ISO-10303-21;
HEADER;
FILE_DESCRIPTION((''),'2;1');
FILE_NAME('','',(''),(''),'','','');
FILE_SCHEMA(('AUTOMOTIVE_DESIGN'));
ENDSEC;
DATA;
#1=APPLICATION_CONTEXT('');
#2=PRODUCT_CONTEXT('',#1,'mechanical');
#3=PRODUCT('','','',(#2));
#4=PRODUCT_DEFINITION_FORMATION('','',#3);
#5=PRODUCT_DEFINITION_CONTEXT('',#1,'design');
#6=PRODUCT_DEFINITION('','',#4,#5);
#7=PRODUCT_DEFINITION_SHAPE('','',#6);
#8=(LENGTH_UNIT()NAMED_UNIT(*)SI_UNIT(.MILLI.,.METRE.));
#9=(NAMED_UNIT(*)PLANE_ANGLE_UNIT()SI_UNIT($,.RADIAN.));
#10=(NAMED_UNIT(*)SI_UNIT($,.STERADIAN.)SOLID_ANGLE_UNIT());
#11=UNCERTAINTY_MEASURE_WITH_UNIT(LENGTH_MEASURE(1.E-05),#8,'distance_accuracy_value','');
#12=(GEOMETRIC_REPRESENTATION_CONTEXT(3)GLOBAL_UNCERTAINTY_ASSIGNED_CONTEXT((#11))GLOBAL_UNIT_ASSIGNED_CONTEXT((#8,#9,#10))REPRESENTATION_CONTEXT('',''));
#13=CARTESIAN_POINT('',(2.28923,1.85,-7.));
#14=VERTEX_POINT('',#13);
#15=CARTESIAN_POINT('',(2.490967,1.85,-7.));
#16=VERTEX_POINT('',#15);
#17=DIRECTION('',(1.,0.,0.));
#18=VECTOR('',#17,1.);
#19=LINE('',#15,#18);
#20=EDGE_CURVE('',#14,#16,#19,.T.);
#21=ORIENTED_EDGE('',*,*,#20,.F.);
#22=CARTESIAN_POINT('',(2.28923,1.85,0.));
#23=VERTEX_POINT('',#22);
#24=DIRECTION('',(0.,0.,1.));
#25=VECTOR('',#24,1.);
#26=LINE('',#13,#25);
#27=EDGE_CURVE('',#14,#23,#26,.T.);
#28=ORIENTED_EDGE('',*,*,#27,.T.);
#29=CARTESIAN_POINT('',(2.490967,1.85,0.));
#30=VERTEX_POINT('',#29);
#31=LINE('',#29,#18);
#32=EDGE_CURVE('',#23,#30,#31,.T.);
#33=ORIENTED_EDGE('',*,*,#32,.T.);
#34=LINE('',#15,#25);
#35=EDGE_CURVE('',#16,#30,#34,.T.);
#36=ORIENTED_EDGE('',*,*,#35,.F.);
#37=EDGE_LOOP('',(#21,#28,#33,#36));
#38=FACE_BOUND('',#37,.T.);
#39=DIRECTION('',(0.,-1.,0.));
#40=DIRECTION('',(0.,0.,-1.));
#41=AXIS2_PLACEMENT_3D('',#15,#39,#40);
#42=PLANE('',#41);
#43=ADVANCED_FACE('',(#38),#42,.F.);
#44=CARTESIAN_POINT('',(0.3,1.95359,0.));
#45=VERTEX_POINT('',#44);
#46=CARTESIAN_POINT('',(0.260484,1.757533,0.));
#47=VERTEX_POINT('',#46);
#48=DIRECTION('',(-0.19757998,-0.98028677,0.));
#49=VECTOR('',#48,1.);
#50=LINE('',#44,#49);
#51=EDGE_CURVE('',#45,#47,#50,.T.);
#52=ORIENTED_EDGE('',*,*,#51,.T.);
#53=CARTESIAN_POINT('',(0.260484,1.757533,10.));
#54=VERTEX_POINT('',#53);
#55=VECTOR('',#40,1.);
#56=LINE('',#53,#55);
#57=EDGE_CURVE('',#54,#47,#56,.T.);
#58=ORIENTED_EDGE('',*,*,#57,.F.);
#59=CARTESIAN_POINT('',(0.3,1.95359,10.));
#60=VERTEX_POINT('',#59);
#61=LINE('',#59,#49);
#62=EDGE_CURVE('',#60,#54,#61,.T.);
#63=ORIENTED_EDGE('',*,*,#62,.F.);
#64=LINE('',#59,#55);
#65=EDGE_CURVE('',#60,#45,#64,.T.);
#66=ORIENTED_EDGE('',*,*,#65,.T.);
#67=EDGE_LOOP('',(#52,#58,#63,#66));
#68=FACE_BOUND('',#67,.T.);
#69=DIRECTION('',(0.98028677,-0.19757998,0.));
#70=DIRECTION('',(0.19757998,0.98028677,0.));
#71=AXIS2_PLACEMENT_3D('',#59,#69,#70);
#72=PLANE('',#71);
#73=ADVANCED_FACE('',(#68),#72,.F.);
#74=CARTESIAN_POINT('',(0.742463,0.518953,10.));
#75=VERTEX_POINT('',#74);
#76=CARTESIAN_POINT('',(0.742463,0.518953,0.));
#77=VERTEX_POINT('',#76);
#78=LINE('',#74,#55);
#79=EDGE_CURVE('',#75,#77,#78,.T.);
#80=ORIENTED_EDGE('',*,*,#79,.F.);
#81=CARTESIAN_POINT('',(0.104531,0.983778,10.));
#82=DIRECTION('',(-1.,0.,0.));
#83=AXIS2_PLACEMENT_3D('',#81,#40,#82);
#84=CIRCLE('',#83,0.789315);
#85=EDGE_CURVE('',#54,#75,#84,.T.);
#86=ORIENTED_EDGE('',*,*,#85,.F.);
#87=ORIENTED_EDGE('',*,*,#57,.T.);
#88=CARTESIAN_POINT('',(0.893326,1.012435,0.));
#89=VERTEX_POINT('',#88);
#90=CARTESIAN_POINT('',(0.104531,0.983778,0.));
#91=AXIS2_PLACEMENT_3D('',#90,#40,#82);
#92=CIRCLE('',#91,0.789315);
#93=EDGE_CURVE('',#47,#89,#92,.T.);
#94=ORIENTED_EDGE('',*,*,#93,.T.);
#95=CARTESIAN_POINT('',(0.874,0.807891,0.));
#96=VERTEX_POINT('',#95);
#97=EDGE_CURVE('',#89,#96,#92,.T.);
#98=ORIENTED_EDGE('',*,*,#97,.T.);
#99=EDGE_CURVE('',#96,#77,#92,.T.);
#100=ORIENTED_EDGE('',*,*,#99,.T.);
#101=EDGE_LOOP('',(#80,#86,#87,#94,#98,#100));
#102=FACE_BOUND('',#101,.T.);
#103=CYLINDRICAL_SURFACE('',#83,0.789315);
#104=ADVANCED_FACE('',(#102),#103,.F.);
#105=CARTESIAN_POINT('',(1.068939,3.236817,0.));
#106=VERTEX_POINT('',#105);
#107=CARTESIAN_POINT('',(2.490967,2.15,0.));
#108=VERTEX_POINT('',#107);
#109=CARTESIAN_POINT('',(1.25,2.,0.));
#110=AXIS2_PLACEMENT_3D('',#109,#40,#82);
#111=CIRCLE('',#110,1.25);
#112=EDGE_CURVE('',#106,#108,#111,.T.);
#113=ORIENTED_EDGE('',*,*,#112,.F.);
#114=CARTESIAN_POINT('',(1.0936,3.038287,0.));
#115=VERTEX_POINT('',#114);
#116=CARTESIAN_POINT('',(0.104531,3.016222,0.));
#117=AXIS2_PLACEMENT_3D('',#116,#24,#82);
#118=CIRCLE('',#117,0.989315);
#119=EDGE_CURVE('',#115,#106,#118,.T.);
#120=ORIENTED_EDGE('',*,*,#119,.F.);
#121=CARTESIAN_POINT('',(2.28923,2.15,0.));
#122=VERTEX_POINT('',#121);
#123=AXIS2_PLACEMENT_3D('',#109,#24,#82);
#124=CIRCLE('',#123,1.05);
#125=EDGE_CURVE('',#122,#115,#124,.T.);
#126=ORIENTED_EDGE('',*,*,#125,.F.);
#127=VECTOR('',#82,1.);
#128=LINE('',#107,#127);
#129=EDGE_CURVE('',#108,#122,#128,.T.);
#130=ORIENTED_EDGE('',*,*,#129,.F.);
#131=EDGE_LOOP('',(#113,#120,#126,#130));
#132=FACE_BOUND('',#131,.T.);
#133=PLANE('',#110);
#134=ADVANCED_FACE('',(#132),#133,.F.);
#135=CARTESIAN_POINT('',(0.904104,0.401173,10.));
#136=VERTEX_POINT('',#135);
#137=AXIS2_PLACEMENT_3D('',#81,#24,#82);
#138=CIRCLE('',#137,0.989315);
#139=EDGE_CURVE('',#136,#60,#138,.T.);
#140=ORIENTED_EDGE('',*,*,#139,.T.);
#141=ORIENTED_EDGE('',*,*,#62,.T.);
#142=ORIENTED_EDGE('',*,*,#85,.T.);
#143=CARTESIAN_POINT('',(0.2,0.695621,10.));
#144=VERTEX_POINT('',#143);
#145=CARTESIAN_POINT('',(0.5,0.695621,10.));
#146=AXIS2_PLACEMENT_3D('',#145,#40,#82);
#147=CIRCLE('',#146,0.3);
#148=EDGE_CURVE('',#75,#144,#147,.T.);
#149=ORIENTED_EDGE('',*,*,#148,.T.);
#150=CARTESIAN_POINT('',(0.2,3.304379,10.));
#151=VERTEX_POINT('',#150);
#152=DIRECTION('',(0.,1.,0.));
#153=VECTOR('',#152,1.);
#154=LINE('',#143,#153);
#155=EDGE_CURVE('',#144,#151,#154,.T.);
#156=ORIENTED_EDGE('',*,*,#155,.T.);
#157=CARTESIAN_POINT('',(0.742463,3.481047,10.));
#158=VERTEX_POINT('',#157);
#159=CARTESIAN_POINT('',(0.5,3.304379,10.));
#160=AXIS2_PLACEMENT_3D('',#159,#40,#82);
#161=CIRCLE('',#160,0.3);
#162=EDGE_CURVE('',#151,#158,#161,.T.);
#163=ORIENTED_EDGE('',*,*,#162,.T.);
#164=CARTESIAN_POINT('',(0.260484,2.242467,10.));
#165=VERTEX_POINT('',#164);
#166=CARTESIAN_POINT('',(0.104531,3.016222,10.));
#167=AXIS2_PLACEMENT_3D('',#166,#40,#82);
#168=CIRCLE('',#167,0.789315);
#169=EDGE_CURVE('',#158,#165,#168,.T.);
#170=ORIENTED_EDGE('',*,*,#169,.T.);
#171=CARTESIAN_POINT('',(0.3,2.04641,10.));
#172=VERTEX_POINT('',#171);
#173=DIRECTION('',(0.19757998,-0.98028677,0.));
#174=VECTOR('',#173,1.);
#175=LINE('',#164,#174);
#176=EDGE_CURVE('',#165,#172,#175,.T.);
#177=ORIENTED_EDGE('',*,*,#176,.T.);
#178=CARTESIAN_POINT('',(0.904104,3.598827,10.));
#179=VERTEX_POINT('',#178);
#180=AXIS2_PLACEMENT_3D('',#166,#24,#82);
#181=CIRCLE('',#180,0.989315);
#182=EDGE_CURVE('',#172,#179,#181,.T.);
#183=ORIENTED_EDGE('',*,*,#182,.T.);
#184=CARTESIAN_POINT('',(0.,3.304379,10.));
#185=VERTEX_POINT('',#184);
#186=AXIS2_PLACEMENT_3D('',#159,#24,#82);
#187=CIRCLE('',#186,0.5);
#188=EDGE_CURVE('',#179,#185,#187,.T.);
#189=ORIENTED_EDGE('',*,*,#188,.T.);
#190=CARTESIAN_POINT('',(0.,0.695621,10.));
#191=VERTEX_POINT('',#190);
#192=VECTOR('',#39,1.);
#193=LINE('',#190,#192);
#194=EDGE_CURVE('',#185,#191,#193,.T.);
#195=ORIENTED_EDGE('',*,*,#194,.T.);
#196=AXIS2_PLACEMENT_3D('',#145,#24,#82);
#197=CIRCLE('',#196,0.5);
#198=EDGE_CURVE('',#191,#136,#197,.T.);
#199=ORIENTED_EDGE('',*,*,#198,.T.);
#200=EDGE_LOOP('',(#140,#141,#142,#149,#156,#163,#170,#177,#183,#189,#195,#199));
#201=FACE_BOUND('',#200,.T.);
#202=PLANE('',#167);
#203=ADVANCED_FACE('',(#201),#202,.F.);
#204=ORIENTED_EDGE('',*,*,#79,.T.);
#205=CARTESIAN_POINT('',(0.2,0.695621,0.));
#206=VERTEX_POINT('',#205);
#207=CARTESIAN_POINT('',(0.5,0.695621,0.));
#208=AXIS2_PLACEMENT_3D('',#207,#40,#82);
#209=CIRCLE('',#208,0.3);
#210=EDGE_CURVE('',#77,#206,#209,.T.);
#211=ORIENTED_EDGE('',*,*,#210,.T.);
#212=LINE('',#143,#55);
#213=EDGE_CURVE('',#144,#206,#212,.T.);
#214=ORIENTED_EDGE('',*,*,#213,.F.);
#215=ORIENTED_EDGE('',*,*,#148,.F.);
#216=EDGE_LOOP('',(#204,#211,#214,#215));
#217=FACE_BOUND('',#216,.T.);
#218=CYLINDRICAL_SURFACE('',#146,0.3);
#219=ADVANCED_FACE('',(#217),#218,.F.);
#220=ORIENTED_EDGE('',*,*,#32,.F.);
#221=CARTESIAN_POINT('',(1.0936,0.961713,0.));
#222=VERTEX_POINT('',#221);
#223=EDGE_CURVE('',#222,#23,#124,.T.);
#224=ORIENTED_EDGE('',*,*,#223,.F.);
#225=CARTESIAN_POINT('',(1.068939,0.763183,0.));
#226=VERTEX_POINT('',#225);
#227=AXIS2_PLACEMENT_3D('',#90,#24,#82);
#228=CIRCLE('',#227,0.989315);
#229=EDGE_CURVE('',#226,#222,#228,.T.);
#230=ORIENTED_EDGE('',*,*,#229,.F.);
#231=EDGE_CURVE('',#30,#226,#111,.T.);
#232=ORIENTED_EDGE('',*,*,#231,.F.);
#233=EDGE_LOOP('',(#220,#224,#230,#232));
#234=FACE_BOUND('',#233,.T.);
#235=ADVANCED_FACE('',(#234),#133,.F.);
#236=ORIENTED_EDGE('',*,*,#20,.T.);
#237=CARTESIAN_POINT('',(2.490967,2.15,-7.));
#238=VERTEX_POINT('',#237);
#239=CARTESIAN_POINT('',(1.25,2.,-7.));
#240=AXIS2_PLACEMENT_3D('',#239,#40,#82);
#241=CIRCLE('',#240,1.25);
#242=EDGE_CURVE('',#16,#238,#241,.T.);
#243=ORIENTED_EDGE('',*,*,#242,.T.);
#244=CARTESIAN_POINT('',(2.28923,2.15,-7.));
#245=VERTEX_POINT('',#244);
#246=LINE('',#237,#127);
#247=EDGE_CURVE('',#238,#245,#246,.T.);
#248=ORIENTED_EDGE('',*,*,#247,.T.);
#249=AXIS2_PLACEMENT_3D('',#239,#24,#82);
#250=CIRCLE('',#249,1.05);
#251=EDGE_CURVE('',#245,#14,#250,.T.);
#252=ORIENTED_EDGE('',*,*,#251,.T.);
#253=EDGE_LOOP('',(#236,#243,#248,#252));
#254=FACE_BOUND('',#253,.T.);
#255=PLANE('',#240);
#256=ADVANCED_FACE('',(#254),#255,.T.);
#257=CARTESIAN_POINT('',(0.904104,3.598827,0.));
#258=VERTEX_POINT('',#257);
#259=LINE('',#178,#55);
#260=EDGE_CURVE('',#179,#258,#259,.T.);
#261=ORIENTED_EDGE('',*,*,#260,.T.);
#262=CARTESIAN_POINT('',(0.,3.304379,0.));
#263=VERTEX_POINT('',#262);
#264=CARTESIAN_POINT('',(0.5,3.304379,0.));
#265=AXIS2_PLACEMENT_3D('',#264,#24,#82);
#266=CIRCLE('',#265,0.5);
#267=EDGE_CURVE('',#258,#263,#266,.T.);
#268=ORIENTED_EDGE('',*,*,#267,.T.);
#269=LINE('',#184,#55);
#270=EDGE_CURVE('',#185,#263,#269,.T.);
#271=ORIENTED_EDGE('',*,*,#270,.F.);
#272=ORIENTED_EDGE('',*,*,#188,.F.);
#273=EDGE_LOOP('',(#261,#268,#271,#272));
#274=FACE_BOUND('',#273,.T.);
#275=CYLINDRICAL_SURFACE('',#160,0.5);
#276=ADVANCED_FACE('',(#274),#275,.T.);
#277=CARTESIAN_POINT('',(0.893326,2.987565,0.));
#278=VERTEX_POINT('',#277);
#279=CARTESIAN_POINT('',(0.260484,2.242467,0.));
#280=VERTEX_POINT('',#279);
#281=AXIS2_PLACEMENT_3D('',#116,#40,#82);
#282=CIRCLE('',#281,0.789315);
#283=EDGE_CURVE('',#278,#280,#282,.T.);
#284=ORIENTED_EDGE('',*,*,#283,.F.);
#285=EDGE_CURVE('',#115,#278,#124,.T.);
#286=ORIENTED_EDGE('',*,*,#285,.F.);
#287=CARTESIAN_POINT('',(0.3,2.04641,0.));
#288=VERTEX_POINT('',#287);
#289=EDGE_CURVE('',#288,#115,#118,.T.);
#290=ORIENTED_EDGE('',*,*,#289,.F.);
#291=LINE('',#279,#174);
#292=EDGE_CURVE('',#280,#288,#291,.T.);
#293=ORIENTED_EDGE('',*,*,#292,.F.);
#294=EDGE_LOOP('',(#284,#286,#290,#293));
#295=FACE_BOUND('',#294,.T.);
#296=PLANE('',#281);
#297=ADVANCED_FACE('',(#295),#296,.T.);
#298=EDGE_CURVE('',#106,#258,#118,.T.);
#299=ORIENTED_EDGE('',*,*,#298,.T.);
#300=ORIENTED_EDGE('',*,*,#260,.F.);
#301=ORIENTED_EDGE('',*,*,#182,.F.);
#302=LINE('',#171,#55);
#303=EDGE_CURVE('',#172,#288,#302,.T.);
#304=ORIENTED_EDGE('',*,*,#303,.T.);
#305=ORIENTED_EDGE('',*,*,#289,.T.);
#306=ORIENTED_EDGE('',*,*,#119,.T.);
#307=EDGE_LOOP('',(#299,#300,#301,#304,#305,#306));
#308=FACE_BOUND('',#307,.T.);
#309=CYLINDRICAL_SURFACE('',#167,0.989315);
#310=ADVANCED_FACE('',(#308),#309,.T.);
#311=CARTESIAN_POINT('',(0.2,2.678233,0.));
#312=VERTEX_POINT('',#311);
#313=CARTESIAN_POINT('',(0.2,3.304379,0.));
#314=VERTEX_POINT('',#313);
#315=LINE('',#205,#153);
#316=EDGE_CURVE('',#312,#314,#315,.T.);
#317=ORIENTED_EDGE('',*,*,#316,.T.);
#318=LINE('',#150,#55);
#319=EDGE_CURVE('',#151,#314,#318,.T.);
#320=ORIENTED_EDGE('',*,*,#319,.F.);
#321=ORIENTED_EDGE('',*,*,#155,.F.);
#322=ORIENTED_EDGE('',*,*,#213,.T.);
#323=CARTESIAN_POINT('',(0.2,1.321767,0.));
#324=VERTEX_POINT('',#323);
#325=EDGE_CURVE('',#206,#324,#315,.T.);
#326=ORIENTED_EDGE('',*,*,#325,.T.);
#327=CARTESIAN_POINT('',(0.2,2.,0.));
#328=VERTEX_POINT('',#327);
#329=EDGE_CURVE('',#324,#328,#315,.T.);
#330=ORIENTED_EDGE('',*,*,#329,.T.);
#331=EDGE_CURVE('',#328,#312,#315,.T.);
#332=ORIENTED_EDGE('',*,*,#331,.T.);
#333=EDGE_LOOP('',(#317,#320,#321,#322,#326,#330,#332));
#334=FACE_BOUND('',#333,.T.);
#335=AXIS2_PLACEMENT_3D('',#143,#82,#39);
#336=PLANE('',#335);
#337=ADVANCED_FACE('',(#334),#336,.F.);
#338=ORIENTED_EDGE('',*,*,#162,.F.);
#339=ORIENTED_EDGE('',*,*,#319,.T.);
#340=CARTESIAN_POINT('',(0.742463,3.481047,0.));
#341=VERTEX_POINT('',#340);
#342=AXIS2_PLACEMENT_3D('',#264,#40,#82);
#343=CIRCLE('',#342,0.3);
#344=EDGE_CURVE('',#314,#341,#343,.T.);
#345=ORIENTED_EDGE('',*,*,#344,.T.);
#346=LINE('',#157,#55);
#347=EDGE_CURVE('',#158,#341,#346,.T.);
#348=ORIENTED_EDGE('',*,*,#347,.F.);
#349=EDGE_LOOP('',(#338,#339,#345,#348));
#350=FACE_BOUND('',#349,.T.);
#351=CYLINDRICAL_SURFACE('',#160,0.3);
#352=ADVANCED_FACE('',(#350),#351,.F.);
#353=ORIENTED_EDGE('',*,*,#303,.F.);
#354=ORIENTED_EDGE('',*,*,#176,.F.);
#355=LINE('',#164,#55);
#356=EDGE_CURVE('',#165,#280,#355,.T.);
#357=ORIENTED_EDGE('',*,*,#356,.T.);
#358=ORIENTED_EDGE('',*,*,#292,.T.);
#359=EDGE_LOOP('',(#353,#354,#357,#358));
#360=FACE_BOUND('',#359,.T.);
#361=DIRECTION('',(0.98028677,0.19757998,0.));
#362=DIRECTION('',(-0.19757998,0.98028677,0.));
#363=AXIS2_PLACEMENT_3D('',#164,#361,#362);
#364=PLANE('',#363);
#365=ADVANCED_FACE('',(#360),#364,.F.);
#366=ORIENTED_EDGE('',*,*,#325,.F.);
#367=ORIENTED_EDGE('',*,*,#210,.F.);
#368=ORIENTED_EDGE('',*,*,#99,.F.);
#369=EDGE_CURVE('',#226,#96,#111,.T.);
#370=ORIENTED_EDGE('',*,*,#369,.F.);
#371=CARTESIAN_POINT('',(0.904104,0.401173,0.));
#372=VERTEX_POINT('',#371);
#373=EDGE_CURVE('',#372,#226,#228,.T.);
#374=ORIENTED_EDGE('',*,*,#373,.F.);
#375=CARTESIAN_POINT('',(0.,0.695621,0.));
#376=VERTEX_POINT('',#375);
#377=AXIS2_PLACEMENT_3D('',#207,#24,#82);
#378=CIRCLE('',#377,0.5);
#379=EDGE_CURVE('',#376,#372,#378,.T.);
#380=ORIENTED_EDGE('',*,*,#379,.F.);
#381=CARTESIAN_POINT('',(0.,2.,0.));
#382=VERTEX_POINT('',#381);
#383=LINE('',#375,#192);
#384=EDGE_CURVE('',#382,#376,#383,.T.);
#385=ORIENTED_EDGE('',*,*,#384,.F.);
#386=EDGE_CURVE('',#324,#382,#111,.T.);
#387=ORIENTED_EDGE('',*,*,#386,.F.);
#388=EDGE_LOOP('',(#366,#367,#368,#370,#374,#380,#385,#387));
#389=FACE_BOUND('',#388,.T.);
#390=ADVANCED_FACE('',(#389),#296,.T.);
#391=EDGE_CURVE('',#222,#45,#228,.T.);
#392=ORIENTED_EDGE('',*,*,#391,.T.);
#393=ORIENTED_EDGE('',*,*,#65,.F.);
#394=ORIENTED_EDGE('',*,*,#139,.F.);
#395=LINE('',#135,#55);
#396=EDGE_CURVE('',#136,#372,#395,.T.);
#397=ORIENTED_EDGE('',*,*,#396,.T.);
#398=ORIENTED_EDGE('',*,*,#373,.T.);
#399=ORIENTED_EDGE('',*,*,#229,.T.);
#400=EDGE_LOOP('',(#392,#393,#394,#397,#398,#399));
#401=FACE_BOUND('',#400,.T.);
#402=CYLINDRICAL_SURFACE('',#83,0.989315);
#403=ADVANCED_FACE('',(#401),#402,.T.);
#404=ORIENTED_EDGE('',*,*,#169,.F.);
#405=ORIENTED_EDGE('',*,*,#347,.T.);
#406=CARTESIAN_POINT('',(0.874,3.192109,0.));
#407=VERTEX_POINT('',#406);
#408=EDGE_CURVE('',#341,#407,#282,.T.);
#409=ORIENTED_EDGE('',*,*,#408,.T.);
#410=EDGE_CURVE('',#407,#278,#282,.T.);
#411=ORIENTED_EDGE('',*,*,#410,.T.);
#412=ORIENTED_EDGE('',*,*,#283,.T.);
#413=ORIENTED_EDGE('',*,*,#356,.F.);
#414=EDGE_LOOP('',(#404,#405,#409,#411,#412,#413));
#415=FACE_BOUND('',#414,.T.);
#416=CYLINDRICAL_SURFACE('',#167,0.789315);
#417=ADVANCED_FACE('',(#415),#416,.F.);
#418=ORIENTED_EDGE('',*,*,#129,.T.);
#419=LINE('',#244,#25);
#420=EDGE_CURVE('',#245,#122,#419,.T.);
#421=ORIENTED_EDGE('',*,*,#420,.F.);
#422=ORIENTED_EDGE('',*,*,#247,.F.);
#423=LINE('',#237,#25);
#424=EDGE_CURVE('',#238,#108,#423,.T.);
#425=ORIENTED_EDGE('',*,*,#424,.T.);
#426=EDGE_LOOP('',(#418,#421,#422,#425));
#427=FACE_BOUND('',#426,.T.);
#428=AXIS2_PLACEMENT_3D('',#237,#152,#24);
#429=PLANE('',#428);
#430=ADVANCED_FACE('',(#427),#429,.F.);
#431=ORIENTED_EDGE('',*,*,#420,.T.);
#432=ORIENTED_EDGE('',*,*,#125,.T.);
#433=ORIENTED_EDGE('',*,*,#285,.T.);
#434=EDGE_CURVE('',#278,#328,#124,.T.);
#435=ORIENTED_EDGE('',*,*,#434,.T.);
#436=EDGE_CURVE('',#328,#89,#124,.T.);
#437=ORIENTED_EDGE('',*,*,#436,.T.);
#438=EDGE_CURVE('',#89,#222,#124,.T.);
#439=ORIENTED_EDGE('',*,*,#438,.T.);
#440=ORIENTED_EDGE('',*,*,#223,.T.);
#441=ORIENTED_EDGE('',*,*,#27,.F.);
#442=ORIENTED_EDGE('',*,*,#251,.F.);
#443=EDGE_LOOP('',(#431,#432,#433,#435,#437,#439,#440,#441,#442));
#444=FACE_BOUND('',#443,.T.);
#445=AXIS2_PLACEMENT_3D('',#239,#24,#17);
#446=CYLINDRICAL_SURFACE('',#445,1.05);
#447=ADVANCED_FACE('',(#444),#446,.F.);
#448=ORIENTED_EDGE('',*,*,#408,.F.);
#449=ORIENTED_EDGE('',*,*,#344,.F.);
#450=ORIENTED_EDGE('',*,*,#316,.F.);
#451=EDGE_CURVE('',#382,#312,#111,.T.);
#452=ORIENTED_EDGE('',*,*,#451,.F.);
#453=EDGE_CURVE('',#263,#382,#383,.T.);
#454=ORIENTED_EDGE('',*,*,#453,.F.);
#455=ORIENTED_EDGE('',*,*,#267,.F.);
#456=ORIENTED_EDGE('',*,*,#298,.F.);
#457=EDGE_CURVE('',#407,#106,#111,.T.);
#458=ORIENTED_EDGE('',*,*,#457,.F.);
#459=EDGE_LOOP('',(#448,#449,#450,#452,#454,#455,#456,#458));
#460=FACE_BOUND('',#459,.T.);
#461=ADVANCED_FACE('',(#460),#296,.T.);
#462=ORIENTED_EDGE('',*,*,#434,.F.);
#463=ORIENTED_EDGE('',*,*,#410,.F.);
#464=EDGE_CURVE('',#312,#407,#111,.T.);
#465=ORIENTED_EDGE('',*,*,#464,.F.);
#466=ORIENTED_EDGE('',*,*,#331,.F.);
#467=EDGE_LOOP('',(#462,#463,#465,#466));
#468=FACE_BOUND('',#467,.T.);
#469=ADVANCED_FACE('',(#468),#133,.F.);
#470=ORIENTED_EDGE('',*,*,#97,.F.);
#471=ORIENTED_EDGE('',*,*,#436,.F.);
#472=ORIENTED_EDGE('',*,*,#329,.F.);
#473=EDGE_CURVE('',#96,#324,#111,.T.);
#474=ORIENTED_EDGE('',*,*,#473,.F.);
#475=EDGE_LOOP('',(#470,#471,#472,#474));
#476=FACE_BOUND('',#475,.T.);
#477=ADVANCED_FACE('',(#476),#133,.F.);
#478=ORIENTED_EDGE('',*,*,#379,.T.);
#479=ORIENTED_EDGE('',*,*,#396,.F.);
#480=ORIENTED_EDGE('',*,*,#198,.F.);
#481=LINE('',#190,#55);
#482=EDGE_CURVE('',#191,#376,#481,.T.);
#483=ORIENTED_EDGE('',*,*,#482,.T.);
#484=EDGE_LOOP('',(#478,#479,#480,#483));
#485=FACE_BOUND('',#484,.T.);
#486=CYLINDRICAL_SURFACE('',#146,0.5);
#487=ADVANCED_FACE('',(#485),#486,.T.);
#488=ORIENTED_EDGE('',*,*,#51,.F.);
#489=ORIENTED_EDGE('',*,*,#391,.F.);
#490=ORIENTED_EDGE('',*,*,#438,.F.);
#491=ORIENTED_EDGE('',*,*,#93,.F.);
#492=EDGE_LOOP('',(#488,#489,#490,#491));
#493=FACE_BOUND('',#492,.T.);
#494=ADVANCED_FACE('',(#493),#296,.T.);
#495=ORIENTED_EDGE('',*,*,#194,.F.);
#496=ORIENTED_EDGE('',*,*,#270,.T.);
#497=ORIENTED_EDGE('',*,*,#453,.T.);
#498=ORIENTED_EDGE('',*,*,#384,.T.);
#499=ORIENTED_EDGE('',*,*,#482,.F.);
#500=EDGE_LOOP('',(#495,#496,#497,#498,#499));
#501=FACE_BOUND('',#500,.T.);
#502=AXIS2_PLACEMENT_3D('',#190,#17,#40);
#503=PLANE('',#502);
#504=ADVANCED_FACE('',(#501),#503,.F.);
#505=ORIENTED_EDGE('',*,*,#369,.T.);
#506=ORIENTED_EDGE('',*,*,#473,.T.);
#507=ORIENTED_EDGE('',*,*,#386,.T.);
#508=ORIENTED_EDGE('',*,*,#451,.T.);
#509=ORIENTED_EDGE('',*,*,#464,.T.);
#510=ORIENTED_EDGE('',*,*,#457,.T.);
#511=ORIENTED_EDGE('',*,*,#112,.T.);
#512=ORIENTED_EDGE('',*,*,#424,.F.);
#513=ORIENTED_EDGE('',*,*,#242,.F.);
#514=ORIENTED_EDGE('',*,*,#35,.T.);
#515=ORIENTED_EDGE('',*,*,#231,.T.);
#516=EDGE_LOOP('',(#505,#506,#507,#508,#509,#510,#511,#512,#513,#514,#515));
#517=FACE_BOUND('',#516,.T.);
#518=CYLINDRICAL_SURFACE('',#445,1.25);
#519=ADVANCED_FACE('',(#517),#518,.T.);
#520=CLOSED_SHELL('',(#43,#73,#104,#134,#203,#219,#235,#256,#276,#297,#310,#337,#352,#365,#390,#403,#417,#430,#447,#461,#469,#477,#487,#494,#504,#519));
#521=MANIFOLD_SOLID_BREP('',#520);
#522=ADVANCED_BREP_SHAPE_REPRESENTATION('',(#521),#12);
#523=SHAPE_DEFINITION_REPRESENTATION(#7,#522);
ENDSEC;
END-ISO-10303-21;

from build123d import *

# Parameters (mm, degrees)
EXTRUDE_1_DEPTH = 10
EXTRUDE_2_DEPTH = 7


with BuildPart() as part:
    # Эскиз1 → Вытянуть1 (new body)
    with BuildSketch(Plane.XY):
        with BuildLine():
            Line((0.2, 0.695621493), (0.2, 3.304378507))
            ThreePointArc((0.2, 3.304378507), (0.407098908, 3.589631705), (0.74246258, 3.481047398))
            ThreePointArc((0.74246258, 3.481047398), (0.840114832, 2.729978951), (0.260484004, 2.242467025))
            Line((0.260484004, 2.242467025), (0.3, 2.046409671))
            ThreePointArc((0.3, 2.046409671), (1.026500083, 2.657449384), (0.9041043, 3.598826659))
            ThreePointArc((0.9041043, 3.598826659), (0.345164846, 3.779800504), (0, 3.304378507))
            Line((0, 3.304378507), (0, 0.695621493))
            ThreePointArc((0, 0.695621493), (0.345164846, 0.220199496), (0.9041043, 0.401173341))
            ThreePointArc((0.9041043, 0.401173341), (1.026500083, 1.342550616), (0.3, 1.953590329))
            Line((0.3, 1.953590329), (0.260484004, 1.757532975))
            ThreePointArc((0.260484004, 1.757532975), (0.840114832, 1.270021049), (0.74246258, 0.518952602))
            ThreePointArc((0.74246258, 0.518952602), (0.407098908, 0.410368295), (0.2, 0.695621493))
        make_face()
    extrude(amount=EXTRUDE_1_DEPTH)

    # Эскиз2 → Вытянуть2 (add)
    with BuildSketch(Plane(origin=(0, 0, 0), x_dir=(-1, 0, 0), z_dir=(0, 0, -1))):
        with BuildLine():
            Line((-2.490967365, 1.85), (-2.289230485, 1.85))
            ThreePointArc((-2.289230485, 1.85), (-0.2, 2), (-2.289230485, 2.15))
            Line((-2.289230485, 2.15), (-2.490967365, 2.15))
            ThreePointArc((-2.490967365, 2.15), (0, 2), (-2.490967365, 1.85))
        make_face()
    extrude(amount=EXTRUDE_2_DEPTH)


solid = part.part
